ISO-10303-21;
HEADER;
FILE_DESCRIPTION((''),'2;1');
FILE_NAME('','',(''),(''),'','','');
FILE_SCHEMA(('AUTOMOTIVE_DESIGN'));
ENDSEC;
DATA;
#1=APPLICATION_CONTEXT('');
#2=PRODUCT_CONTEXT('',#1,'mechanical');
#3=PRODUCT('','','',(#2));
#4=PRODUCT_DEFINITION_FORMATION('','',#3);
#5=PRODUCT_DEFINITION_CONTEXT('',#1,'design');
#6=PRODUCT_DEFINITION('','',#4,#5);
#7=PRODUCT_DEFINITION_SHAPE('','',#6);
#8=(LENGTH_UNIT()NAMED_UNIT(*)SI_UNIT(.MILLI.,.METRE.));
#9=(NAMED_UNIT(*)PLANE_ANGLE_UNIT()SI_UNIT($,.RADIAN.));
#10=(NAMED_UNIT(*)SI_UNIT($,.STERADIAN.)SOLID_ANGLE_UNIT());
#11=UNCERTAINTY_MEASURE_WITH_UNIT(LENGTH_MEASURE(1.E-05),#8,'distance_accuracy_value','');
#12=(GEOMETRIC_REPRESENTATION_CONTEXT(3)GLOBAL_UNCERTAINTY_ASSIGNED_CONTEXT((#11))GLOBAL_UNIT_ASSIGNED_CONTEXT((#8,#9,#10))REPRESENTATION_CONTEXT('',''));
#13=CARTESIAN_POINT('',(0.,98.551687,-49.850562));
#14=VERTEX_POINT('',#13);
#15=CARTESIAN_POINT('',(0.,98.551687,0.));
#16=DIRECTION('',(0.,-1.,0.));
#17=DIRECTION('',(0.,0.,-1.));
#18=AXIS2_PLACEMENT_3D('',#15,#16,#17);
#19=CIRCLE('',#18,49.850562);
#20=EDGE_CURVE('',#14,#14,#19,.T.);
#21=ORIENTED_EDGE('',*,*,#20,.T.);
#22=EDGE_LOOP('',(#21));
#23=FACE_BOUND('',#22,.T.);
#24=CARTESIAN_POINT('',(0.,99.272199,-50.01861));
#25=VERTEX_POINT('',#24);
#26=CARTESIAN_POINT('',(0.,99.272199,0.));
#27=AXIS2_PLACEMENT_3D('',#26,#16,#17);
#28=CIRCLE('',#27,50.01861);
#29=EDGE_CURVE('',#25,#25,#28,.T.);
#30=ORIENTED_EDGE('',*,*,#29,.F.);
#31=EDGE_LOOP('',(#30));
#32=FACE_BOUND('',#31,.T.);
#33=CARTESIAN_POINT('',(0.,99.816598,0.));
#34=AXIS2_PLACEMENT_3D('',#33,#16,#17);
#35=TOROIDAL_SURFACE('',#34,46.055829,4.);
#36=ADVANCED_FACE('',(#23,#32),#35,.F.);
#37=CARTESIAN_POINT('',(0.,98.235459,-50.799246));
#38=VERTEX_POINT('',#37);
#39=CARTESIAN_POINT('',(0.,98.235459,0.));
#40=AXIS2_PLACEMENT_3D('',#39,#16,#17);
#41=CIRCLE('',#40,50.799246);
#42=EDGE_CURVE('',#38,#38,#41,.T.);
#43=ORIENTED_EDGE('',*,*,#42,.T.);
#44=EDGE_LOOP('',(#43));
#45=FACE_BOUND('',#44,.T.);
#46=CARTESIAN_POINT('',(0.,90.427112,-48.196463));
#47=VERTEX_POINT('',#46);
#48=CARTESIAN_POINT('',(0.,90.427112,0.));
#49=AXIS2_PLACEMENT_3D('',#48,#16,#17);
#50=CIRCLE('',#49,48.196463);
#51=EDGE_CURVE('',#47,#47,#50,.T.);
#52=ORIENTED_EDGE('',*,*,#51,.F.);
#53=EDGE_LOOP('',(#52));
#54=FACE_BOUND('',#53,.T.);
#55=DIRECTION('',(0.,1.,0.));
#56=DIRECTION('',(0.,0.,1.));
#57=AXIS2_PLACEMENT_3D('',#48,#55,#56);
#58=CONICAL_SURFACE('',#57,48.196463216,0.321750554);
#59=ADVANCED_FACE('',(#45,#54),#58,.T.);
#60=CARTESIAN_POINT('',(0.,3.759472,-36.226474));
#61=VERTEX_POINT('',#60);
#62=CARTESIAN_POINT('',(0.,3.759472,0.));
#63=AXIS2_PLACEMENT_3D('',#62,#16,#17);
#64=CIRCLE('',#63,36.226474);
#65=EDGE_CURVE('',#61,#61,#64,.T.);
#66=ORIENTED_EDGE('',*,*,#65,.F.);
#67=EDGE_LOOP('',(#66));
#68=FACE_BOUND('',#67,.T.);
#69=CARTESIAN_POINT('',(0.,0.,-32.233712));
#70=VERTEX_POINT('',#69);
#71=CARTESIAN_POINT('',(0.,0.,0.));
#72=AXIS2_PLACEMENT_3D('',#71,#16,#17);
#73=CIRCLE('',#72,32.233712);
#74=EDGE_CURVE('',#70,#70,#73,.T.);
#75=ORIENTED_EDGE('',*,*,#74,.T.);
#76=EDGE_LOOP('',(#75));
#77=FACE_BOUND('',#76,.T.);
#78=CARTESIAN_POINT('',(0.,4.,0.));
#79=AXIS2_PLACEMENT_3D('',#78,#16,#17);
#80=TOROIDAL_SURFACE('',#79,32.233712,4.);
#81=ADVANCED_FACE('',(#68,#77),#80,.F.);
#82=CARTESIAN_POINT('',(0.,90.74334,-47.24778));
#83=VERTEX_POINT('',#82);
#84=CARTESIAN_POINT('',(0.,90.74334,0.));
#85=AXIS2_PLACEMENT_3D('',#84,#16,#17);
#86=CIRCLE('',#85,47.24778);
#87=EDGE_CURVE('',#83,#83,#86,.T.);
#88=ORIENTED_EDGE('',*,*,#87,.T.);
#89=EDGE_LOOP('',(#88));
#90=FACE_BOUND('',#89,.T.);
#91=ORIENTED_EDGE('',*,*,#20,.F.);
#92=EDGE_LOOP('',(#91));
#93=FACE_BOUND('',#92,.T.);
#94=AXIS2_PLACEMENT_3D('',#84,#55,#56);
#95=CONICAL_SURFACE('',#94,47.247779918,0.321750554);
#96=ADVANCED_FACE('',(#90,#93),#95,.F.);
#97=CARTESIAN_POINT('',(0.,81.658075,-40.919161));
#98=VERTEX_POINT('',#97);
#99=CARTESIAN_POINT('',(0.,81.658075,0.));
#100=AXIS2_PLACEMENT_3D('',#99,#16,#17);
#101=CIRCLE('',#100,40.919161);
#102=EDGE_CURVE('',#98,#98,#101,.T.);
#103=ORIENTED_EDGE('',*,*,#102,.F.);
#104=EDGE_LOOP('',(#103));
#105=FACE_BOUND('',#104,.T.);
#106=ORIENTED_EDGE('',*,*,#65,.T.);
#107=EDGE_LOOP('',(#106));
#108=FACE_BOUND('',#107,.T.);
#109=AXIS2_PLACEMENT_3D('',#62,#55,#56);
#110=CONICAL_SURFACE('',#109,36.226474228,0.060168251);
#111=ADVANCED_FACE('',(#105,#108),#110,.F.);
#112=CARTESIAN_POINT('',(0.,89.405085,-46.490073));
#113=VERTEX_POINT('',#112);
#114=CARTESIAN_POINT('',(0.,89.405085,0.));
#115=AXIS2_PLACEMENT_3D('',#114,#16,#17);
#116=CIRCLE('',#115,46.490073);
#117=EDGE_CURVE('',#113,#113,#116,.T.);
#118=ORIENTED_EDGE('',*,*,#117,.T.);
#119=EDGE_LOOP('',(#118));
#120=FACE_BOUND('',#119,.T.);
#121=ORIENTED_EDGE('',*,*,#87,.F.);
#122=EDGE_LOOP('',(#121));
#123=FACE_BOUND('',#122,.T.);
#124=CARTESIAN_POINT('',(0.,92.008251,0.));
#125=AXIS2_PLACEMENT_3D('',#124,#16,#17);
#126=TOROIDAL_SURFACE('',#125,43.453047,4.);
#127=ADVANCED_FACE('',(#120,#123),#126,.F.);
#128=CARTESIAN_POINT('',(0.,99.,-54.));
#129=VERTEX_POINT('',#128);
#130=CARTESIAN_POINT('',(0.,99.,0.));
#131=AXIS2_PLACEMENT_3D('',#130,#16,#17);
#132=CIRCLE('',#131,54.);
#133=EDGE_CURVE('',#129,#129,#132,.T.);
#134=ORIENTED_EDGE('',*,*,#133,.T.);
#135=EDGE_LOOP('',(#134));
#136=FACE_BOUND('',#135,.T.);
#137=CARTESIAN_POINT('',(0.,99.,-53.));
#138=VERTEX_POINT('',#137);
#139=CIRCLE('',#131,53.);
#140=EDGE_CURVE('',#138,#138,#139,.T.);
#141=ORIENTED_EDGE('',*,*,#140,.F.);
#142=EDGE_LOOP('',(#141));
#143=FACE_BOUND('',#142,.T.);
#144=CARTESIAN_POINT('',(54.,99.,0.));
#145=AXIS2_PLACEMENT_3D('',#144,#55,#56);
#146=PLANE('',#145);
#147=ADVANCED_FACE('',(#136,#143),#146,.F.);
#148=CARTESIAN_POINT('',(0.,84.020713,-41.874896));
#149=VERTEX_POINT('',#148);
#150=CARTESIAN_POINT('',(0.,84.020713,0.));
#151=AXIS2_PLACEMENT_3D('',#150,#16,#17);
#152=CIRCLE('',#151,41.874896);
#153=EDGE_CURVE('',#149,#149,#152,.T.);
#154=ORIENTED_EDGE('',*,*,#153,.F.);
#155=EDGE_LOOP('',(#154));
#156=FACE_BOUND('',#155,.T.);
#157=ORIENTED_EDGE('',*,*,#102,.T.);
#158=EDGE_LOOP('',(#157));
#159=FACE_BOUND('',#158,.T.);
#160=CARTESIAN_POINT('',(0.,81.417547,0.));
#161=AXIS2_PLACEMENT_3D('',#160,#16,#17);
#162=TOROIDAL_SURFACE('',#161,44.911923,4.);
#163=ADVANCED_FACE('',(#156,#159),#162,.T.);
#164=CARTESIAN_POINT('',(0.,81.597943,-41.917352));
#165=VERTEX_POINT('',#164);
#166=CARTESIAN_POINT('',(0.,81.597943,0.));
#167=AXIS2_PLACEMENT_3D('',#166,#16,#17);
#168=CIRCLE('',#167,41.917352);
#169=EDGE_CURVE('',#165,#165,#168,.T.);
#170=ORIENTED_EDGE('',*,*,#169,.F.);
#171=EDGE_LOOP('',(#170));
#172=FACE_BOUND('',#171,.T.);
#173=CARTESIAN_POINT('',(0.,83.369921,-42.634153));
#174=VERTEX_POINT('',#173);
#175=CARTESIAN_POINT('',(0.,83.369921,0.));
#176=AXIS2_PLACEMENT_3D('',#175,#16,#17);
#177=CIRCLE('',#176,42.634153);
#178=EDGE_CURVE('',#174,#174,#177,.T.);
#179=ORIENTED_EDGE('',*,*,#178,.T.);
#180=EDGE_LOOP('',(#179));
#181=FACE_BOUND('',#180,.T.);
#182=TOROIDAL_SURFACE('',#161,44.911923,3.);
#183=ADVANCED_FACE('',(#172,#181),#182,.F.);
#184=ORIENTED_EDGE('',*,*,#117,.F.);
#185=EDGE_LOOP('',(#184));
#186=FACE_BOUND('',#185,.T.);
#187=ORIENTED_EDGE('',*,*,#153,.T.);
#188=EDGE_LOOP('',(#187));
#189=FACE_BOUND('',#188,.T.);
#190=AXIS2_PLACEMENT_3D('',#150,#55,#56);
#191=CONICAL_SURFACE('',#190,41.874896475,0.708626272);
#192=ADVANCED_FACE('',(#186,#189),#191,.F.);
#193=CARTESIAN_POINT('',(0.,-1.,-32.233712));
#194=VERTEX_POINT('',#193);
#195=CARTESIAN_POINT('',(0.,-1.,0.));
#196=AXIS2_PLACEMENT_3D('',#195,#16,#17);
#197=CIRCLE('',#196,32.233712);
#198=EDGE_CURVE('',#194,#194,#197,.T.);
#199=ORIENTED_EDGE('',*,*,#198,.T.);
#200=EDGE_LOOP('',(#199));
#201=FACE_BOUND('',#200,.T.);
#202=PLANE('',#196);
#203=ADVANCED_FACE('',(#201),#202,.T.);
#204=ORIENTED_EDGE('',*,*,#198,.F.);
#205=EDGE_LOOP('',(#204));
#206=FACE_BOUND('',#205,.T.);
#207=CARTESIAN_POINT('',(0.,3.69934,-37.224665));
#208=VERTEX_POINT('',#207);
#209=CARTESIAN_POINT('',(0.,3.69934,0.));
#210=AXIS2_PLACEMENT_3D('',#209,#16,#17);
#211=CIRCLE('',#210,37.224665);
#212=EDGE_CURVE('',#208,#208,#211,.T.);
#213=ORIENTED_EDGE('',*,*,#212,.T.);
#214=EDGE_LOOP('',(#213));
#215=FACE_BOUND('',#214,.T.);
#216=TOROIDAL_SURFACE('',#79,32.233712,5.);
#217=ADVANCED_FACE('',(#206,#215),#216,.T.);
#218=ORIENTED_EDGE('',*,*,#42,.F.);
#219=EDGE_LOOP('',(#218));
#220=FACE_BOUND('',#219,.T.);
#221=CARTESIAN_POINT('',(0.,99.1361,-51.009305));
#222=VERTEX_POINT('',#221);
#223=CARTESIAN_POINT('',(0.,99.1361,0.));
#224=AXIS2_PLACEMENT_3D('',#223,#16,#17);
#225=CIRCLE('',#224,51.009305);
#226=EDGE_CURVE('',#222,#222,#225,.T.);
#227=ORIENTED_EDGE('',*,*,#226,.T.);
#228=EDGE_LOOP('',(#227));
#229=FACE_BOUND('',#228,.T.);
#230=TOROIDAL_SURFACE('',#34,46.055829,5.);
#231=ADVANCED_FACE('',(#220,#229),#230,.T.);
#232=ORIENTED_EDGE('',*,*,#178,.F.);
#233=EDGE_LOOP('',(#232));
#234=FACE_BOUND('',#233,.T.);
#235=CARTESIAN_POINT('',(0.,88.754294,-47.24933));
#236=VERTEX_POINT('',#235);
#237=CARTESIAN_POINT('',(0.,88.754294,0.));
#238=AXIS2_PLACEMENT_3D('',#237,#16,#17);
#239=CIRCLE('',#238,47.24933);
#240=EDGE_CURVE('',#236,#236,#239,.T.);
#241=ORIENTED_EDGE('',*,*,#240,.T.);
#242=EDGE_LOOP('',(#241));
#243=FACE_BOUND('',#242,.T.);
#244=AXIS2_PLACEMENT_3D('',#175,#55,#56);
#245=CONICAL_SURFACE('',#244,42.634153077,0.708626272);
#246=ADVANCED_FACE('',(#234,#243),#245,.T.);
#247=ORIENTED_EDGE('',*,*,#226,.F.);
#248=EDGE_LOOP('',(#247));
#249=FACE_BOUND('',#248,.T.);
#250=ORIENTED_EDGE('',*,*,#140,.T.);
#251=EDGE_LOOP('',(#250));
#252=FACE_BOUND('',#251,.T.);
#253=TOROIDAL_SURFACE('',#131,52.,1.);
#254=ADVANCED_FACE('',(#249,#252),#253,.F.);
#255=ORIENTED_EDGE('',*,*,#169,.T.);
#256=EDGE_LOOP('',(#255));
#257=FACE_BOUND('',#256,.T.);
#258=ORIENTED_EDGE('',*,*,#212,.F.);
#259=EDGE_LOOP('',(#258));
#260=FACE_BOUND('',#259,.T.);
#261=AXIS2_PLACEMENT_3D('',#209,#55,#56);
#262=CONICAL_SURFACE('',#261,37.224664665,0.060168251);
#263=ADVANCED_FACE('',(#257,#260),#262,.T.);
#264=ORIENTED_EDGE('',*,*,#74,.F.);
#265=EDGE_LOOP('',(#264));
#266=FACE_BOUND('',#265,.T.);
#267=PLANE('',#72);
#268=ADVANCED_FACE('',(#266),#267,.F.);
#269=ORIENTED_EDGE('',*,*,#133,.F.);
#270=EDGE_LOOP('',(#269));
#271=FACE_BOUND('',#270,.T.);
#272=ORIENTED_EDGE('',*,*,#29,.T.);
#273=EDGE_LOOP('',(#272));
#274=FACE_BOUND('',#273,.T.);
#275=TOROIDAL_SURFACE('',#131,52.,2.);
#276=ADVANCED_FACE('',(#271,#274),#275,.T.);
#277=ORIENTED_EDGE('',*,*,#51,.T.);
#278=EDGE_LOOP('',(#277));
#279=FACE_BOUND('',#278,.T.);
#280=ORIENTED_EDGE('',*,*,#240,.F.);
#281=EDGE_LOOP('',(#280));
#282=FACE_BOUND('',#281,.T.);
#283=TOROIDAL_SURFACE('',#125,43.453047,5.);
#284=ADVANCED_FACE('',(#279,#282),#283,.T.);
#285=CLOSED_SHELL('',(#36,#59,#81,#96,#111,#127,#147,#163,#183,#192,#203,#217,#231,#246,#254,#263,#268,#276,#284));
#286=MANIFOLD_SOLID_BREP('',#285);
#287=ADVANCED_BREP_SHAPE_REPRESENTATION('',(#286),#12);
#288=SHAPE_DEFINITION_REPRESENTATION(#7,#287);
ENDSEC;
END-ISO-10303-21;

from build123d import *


with BuildPart() as part:
    # Sketch1 → Revolve-Thin1 (revolve)
    with BuildSketch(Plane.XY):
        with BuildLine():
            Line((0, 0), (32.233712481, 0))
            ThreePointArc((32.233712481, 0), (34.975781839, 1.087774797), (36.226474228, 3.759472184))
            Line((36.226474228, 3.759472184), (40.919161137, 81.658074876))
            ThreePointArc((40.919161137, 81.658074876), (41.203824371, 82.917548867), (41.874896475, 84.020712554))
            Line((41.874896475, 84.020712554), (46.490073135, 89.405085325))
            ThreePointArc((46.490073135, 89.405085325), (46.933846353, 90.037455559), (47.247779918, 90.743339754))
            Line((47.247779918, 90.743339754), (49.850562276, 98.551686827))
            ThreePointArc((49.850562276, 98.551686827), (49.951280233, 98.90804941), (50.018609695, 99.272199297))
            ThreePointArc((50.018609695, 99.272199297), (52.136417354, 100.995342152), (54, 99))
            Line((54, 99), (53, 99))
            ThreePointArc((53, 99), (52.068208677, 99.997671076), (51.009304847, 99.136099649))
            ThreePointArc((51.009304847, 99.136099649), (50.92514302, 98.680912289), (50.799245574, 98.235459061))
            Line((50.799245574, 98.235459061), (48.196463216, 90.427111988))
            ThreePointArc((48.196463216, 90.427111988), (47.80404626, 89.544756744), (47.249329738, 88.754293951))
            Line((47.249329738, 88.754293951), (42.634153077, 83.369921181))
            ThreePointArc((42.634153077, 83.369921181), (42.130849, 82.542548415), (41.917351574, 81.597942922))
            Line((41.917351574, 81.597942922), (37.224664665, 3.69934023))
            ThreePointArc((37.224664665, 3.69934023), (35.661299179, 0.359718496), (32.233712481, -1))
            Line((32.233712481, -1), (0, -1))
            Line((0, -1), (0, 0))
        make_face()
    revolve(axis=Axis((0, -6.727399494, 0), (0, 1, 0)))


solid = part.part
